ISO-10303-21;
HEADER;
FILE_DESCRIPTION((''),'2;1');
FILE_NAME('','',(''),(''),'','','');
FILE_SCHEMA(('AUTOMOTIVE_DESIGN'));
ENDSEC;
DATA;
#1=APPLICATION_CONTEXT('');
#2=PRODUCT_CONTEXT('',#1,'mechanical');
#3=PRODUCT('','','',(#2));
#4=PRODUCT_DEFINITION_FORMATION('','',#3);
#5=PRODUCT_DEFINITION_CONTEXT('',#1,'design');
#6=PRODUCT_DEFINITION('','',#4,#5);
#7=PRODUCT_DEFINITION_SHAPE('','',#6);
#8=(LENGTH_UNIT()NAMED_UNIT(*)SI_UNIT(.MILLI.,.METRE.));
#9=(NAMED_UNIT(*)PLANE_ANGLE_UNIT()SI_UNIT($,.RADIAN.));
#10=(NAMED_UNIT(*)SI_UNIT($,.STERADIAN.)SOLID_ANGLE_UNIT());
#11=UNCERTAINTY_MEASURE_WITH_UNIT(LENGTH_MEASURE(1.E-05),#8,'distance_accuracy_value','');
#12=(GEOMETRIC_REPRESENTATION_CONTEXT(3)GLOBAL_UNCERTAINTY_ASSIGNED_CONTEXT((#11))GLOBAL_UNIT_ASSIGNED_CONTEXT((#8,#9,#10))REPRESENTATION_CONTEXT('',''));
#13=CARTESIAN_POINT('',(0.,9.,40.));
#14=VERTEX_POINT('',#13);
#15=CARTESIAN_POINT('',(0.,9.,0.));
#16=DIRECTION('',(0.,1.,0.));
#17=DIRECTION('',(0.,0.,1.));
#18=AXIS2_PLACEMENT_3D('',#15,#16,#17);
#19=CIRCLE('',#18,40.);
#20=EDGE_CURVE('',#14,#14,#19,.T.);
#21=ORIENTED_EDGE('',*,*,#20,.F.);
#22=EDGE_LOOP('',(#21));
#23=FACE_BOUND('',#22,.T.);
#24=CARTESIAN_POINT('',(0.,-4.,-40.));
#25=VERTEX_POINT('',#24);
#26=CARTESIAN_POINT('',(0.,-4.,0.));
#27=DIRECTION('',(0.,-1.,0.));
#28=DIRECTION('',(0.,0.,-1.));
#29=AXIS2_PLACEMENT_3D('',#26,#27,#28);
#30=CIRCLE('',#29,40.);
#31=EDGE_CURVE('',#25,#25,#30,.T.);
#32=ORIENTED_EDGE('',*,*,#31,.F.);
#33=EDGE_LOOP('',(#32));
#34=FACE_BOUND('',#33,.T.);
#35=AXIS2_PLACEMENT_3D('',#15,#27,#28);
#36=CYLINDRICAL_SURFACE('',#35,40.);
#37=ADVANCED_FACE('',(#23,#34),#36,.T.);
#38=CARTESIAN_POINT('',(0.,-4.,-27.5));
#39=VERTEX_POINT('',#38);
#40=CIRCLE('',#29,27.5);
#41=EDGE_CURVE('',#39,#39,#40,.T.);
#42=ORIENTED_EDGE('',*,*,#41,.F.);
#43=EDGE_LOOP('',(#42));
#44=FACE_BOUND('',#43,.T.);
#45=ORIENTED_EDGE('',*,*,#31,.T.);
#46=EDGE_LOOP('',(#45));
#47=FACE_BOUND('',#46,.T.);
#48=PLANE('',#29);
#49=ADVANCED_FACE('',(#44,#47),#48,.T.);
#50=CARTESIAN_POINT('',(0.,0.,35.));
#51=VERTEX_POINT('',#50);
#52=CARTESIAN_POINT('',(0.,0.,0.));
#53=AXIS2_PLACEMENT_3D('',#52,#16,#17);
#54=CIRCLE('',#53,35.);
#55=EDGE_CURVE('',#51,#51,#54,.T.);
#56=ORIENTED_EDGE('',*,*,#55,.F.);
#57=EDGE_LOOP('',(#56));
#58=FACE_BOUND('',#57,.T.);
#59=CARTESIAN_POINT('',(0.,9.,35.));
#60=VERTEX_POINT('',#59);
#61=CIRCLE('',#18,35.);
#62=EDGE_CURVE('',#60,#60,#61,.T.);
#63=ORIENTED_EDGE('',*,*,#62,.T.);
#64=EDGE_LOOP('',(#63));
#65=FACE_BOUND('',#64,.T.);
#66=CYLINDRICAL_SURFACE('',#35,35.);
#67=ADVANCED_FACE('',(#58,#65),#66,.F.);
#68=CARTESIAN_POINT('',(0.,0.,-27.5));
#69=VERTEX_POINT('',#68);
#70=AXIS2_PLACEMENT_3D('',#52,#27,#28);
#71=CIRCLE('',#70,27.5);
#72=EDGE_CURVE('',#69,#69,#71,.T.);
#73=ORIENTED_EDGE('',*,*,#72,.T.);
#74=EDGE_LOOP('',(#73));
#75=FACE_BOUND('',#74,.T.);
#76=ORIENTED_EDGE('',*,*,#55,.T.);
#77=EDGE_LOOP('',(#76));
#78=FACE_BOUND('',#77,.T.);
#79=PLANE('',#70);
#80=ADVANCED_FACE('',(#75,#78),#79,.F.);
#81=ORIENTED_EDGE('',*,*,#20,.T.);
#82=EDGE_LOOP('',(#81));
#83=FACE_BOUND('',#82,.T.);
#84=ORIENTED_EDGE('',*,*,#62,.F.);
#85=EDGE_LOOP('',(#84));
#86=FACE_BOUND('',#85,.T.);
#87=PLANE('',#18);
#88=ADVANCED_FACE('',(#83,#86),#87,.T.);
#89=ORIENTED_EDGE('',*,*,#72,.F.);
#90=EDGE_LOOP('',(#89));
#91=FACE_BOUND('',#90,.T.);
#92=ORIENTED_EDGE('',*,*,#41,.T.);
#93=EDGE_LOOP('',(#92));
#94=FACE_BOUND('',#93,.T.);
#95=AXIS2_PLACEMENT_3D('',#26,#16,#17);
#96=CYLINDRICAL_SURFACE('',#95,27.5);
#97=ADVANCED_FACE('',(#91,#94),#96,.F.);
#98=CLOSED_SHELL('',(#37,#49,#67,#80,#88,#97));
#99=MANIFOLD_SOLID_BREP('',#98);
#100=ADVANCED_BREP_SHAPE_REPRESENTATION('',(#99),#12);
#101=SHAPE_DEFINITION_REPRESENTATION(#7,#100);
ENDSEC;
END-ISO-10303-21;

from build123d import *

# Parameters (mm, degrees)
SKETCH_1_R      = 40
SKETCH_1_R_2    = 35
EXTRUDE_1_DEPTH = 9
EXTRUDE_START   = 4
SKETCH_2_R      = 40
SKETCH_2_R_2    = 27.5
EXTRUDE_2_DEPTH = 4


with BuildPart() as part:
    # 草图1 → 凸台-拉伸1 (new body)
    with BuildSketch(Plane(origin=(0, 0, 0), x_dir=(1, 0, 0), z_dir=(0, 1, 0))):
        with Locations(Location((0, 0, 0), (0, 0, 270))):
            Circle(SKETCH_1_R)
        with Locations(Location((0, 0, 0), (0, 0, 270))):
            Circle(SKETCH_1_R_2, mode=Mode.SUBTRACT)
    extrude(amount=EXTRUDE_1_DEPTH)

    # 草图2 → 凸台-拉伸2 (add)
    with BuildSketch(Plane.XZ.offset(EXTRUDE_START)):
        with Locations(Location((0, 0, 0), (0, 0, 270))):
            Circle(SKETCH_2_R)
        with Locations(Location((0, 0, 0), (0, 0, 270))):
            Circle(SKETCH_2_R_2, mode=Mode.SUBTRACT)
    extrude(amount=-EXTRUDE_2_DEPTH)


solid = part.part
